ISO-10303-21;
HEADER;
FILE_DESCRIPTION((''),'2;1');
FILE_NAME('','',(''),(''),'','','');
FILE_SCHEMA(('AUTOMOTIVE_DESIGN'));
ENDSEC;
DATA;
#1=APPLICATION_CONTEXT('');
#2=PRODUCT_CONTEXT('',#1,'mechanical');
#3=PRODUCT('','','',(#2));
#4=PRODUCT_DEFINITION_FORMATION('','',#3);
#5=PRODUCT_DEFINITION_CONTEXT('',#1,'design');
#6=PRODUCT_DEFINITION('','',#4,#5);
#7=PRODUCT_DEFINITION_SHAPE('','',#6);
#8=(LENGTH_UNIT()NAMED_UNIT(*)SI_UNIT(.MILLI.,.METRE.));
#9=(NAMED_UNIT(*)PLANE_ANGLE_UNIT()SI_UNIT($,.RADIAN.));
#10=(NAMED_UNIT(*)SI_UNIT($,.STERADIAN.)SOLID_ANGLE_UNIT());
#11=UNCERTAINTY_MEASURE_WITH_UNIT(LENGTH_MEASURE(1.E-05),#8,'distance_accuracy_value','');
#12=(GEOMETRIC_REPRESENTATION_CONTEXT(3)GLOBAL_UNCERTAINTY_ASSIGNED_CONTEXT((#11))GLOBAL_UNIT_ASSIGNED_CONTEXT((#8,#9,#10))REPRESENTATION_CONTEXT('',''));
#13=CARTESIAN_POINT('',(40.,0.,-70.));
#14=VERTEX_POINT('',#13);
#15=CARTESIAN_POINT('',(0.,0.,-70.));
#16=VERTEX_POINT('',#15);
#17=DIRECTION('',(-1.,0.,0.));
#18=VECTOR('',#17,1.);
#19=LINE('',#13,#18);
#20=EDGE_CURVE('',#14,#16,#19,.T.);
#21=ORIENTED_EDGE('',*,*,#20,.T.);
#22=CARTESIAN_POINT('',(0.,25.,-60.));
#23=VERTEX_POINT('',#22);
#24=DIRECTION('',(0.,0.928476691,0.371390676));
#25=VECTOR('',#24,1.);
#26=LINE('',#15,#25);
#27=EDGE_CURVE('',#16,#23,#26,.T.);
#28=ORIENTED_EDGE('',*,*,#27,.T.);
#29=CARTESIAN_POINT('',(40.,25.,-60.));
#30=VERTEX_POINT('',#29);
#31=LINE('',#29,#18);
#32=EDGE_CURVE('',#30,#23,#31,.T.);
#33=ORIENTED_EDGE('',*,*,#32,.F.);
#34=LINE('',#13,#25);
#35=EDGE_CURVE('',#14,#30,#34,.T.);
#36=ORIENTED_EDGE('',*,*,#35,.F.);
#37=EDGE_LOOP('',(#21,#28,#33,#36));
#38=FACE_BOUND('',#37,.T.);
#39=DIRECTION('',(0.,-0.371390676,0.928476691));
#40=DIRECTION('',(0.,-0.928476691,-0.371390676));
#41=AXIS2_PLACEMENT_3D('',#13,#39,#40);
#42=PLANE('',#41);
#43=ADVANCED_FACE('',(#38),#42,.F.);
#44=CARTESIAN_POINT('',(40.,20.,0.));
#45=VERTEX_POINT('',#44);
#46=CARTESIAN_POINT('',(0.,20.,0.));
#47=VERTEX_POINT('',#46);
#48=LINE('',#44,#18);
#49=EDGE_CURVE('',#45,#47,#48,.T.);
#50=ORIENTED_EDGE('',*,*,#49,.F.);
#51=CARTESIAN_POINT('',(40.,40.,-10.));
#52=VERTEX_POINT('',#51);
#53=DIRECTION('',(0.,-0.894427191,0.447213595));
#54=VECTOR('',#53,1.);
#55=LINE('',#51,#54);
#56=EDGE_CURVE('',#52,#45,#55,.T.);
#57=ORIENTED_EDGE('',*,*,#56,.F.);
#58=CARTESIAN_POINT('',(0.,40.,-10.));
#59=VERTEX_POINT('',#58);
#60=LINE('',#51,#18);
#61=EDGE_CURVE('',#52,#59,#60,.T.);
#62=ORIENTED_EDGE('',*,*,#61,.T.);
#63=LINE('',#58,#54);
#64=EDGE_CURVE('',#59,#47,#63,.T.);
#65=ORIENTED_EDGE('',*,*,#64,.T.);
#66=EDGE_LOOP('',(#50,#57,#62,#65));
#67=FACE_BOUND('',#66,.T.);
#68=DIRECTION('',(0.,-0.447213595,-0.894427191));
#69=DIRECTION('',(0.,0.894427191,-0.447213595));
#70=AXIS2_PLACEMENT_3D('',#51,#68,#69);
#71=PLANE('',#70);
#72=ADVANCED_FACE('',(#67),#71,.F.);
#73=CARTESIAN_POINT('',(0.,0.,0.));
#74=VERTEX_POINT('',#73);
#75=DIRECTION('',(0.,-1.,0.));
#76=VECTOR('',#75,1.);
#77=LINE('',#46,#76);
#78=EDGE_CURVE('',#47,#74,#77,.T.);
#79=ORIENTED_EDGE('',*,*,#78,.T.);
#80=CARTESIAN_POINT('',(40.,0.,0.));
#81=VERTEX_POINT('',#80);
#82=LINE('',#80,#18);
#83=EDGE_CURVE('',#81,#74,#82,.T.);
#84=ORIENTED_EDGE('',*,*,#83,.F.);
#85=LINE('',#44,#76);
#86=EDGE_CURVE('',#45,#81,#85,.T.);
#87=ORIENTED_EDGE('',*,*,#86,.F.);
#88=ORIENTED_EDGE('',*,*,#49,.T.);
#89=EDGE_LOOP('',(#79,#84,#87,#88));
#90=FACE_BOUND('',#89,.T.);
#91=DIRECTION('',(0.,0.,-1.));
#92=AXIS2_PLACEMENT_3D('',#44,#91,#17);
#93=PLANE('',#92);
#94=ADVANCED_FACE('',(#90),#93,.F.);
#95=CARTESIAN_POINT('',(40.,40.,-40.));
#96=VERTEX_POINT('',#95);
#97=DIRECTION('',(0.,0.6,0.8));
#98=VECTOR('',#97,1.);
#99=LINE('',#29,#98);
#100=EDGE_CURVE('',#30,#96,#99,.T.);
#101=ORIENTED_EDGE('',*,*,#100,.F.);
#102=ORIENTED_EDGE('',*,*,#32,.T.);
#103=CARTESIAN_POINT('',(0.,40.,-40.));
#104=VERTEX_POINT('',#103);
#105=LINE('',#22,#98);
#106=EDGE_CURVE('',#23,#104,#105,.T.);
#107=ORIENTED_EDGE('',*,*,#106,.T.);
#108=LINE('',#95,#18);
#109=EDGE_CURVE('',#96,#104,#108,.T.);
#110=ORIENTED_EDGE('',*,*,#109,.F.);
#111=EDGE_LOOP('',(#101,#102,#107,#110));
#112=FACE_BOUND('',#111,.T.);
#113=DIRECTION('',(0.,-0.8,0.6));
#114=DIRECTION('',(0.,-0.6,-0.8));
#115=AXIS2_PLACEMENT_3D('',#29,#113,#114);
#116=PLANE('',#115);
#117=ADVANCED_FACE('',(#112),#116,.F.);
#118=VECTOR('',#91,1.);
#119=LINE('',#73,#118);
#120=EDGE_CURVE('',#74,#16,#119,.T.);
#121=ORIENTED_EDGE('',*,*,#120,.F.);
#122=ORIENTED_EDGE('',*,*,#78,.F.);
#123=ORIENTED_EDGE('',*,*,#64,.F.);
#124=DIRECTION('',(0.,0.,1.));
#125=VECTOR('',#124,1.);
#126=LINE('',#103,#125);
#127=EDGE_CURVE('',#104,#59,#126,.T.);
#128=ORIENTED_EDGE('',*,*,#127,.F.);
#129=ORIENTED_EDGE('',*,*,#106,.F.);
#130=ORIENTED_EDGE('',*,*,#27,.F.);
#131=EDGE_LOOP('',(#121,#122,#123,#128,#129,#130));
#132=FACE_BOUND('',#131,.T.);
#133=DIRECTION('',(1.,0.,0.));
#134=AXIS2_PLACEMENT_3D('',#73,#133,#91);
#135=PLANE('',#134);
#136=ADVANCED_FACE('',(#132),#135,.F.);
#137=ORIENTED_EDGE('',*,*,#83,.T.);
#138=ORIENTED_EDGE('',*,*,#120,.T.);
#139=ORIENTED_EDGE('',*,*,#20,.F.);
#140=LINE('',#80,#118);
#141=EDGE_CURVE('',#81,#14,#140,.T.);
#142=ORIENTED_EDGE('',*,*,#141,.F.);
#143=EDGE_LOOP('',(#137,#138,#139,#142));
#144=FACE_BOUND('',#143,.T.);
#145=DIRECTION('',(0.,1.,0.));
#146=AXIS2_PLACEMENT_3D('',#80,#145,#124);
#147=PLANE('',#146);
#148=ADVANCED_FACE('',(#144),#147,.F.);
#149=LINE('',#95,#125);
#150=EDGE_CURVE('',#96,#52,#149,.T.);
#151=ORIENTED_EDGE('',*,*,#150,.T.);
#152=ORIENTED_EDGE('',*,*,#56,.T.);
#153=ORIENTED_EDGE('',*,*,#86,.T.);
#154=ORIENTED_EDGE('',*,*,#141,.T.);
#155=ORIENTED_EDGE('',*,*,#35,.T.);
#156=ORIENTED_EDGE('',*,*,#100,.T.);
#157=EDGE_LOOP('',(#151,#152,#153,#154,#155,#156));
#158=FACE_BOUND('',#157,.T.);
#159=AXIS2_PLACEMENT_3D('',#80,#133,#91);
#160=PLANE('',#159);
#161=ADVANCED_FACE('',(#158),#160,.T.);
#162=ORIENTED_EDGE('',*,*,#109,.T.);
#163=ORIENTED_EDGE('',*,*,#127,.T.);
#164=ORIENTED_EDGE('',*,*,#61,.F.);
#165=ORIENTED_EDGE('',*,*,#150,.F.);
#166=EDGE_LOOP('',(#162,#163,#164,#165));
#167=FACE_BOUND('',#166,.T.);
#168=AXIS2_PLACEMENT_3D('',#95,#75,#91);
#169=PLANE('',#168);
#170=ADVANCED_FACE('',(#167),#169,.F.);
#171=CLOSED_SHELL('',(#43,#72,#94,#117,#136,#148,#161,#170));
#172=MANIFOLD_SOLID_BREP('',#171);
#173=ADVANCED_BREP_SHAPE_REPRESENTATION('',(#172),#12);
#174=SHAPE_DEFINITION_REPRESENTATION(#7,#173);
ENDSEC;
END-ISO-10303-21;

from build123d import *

# Parameters (mm, degrees)
BOSS_EXTRUDE1_DEPTH = 40


with BuildPart() as part:
    # Sketch1 → Boss-Extrude1 (new body)
    with BuildSketch(Plane(origin=(0, 0, 0), x_dir=(0, 0, -1), z_dir=(1, 0, 0))):
        Polygon((0, 0), (70, 0), (60, 25), (40, 40), (10, 40), (0, 20), align=None)
    extrude(amount=BOSS_EXTRUDE1_DEPTH)


solid = part.part
